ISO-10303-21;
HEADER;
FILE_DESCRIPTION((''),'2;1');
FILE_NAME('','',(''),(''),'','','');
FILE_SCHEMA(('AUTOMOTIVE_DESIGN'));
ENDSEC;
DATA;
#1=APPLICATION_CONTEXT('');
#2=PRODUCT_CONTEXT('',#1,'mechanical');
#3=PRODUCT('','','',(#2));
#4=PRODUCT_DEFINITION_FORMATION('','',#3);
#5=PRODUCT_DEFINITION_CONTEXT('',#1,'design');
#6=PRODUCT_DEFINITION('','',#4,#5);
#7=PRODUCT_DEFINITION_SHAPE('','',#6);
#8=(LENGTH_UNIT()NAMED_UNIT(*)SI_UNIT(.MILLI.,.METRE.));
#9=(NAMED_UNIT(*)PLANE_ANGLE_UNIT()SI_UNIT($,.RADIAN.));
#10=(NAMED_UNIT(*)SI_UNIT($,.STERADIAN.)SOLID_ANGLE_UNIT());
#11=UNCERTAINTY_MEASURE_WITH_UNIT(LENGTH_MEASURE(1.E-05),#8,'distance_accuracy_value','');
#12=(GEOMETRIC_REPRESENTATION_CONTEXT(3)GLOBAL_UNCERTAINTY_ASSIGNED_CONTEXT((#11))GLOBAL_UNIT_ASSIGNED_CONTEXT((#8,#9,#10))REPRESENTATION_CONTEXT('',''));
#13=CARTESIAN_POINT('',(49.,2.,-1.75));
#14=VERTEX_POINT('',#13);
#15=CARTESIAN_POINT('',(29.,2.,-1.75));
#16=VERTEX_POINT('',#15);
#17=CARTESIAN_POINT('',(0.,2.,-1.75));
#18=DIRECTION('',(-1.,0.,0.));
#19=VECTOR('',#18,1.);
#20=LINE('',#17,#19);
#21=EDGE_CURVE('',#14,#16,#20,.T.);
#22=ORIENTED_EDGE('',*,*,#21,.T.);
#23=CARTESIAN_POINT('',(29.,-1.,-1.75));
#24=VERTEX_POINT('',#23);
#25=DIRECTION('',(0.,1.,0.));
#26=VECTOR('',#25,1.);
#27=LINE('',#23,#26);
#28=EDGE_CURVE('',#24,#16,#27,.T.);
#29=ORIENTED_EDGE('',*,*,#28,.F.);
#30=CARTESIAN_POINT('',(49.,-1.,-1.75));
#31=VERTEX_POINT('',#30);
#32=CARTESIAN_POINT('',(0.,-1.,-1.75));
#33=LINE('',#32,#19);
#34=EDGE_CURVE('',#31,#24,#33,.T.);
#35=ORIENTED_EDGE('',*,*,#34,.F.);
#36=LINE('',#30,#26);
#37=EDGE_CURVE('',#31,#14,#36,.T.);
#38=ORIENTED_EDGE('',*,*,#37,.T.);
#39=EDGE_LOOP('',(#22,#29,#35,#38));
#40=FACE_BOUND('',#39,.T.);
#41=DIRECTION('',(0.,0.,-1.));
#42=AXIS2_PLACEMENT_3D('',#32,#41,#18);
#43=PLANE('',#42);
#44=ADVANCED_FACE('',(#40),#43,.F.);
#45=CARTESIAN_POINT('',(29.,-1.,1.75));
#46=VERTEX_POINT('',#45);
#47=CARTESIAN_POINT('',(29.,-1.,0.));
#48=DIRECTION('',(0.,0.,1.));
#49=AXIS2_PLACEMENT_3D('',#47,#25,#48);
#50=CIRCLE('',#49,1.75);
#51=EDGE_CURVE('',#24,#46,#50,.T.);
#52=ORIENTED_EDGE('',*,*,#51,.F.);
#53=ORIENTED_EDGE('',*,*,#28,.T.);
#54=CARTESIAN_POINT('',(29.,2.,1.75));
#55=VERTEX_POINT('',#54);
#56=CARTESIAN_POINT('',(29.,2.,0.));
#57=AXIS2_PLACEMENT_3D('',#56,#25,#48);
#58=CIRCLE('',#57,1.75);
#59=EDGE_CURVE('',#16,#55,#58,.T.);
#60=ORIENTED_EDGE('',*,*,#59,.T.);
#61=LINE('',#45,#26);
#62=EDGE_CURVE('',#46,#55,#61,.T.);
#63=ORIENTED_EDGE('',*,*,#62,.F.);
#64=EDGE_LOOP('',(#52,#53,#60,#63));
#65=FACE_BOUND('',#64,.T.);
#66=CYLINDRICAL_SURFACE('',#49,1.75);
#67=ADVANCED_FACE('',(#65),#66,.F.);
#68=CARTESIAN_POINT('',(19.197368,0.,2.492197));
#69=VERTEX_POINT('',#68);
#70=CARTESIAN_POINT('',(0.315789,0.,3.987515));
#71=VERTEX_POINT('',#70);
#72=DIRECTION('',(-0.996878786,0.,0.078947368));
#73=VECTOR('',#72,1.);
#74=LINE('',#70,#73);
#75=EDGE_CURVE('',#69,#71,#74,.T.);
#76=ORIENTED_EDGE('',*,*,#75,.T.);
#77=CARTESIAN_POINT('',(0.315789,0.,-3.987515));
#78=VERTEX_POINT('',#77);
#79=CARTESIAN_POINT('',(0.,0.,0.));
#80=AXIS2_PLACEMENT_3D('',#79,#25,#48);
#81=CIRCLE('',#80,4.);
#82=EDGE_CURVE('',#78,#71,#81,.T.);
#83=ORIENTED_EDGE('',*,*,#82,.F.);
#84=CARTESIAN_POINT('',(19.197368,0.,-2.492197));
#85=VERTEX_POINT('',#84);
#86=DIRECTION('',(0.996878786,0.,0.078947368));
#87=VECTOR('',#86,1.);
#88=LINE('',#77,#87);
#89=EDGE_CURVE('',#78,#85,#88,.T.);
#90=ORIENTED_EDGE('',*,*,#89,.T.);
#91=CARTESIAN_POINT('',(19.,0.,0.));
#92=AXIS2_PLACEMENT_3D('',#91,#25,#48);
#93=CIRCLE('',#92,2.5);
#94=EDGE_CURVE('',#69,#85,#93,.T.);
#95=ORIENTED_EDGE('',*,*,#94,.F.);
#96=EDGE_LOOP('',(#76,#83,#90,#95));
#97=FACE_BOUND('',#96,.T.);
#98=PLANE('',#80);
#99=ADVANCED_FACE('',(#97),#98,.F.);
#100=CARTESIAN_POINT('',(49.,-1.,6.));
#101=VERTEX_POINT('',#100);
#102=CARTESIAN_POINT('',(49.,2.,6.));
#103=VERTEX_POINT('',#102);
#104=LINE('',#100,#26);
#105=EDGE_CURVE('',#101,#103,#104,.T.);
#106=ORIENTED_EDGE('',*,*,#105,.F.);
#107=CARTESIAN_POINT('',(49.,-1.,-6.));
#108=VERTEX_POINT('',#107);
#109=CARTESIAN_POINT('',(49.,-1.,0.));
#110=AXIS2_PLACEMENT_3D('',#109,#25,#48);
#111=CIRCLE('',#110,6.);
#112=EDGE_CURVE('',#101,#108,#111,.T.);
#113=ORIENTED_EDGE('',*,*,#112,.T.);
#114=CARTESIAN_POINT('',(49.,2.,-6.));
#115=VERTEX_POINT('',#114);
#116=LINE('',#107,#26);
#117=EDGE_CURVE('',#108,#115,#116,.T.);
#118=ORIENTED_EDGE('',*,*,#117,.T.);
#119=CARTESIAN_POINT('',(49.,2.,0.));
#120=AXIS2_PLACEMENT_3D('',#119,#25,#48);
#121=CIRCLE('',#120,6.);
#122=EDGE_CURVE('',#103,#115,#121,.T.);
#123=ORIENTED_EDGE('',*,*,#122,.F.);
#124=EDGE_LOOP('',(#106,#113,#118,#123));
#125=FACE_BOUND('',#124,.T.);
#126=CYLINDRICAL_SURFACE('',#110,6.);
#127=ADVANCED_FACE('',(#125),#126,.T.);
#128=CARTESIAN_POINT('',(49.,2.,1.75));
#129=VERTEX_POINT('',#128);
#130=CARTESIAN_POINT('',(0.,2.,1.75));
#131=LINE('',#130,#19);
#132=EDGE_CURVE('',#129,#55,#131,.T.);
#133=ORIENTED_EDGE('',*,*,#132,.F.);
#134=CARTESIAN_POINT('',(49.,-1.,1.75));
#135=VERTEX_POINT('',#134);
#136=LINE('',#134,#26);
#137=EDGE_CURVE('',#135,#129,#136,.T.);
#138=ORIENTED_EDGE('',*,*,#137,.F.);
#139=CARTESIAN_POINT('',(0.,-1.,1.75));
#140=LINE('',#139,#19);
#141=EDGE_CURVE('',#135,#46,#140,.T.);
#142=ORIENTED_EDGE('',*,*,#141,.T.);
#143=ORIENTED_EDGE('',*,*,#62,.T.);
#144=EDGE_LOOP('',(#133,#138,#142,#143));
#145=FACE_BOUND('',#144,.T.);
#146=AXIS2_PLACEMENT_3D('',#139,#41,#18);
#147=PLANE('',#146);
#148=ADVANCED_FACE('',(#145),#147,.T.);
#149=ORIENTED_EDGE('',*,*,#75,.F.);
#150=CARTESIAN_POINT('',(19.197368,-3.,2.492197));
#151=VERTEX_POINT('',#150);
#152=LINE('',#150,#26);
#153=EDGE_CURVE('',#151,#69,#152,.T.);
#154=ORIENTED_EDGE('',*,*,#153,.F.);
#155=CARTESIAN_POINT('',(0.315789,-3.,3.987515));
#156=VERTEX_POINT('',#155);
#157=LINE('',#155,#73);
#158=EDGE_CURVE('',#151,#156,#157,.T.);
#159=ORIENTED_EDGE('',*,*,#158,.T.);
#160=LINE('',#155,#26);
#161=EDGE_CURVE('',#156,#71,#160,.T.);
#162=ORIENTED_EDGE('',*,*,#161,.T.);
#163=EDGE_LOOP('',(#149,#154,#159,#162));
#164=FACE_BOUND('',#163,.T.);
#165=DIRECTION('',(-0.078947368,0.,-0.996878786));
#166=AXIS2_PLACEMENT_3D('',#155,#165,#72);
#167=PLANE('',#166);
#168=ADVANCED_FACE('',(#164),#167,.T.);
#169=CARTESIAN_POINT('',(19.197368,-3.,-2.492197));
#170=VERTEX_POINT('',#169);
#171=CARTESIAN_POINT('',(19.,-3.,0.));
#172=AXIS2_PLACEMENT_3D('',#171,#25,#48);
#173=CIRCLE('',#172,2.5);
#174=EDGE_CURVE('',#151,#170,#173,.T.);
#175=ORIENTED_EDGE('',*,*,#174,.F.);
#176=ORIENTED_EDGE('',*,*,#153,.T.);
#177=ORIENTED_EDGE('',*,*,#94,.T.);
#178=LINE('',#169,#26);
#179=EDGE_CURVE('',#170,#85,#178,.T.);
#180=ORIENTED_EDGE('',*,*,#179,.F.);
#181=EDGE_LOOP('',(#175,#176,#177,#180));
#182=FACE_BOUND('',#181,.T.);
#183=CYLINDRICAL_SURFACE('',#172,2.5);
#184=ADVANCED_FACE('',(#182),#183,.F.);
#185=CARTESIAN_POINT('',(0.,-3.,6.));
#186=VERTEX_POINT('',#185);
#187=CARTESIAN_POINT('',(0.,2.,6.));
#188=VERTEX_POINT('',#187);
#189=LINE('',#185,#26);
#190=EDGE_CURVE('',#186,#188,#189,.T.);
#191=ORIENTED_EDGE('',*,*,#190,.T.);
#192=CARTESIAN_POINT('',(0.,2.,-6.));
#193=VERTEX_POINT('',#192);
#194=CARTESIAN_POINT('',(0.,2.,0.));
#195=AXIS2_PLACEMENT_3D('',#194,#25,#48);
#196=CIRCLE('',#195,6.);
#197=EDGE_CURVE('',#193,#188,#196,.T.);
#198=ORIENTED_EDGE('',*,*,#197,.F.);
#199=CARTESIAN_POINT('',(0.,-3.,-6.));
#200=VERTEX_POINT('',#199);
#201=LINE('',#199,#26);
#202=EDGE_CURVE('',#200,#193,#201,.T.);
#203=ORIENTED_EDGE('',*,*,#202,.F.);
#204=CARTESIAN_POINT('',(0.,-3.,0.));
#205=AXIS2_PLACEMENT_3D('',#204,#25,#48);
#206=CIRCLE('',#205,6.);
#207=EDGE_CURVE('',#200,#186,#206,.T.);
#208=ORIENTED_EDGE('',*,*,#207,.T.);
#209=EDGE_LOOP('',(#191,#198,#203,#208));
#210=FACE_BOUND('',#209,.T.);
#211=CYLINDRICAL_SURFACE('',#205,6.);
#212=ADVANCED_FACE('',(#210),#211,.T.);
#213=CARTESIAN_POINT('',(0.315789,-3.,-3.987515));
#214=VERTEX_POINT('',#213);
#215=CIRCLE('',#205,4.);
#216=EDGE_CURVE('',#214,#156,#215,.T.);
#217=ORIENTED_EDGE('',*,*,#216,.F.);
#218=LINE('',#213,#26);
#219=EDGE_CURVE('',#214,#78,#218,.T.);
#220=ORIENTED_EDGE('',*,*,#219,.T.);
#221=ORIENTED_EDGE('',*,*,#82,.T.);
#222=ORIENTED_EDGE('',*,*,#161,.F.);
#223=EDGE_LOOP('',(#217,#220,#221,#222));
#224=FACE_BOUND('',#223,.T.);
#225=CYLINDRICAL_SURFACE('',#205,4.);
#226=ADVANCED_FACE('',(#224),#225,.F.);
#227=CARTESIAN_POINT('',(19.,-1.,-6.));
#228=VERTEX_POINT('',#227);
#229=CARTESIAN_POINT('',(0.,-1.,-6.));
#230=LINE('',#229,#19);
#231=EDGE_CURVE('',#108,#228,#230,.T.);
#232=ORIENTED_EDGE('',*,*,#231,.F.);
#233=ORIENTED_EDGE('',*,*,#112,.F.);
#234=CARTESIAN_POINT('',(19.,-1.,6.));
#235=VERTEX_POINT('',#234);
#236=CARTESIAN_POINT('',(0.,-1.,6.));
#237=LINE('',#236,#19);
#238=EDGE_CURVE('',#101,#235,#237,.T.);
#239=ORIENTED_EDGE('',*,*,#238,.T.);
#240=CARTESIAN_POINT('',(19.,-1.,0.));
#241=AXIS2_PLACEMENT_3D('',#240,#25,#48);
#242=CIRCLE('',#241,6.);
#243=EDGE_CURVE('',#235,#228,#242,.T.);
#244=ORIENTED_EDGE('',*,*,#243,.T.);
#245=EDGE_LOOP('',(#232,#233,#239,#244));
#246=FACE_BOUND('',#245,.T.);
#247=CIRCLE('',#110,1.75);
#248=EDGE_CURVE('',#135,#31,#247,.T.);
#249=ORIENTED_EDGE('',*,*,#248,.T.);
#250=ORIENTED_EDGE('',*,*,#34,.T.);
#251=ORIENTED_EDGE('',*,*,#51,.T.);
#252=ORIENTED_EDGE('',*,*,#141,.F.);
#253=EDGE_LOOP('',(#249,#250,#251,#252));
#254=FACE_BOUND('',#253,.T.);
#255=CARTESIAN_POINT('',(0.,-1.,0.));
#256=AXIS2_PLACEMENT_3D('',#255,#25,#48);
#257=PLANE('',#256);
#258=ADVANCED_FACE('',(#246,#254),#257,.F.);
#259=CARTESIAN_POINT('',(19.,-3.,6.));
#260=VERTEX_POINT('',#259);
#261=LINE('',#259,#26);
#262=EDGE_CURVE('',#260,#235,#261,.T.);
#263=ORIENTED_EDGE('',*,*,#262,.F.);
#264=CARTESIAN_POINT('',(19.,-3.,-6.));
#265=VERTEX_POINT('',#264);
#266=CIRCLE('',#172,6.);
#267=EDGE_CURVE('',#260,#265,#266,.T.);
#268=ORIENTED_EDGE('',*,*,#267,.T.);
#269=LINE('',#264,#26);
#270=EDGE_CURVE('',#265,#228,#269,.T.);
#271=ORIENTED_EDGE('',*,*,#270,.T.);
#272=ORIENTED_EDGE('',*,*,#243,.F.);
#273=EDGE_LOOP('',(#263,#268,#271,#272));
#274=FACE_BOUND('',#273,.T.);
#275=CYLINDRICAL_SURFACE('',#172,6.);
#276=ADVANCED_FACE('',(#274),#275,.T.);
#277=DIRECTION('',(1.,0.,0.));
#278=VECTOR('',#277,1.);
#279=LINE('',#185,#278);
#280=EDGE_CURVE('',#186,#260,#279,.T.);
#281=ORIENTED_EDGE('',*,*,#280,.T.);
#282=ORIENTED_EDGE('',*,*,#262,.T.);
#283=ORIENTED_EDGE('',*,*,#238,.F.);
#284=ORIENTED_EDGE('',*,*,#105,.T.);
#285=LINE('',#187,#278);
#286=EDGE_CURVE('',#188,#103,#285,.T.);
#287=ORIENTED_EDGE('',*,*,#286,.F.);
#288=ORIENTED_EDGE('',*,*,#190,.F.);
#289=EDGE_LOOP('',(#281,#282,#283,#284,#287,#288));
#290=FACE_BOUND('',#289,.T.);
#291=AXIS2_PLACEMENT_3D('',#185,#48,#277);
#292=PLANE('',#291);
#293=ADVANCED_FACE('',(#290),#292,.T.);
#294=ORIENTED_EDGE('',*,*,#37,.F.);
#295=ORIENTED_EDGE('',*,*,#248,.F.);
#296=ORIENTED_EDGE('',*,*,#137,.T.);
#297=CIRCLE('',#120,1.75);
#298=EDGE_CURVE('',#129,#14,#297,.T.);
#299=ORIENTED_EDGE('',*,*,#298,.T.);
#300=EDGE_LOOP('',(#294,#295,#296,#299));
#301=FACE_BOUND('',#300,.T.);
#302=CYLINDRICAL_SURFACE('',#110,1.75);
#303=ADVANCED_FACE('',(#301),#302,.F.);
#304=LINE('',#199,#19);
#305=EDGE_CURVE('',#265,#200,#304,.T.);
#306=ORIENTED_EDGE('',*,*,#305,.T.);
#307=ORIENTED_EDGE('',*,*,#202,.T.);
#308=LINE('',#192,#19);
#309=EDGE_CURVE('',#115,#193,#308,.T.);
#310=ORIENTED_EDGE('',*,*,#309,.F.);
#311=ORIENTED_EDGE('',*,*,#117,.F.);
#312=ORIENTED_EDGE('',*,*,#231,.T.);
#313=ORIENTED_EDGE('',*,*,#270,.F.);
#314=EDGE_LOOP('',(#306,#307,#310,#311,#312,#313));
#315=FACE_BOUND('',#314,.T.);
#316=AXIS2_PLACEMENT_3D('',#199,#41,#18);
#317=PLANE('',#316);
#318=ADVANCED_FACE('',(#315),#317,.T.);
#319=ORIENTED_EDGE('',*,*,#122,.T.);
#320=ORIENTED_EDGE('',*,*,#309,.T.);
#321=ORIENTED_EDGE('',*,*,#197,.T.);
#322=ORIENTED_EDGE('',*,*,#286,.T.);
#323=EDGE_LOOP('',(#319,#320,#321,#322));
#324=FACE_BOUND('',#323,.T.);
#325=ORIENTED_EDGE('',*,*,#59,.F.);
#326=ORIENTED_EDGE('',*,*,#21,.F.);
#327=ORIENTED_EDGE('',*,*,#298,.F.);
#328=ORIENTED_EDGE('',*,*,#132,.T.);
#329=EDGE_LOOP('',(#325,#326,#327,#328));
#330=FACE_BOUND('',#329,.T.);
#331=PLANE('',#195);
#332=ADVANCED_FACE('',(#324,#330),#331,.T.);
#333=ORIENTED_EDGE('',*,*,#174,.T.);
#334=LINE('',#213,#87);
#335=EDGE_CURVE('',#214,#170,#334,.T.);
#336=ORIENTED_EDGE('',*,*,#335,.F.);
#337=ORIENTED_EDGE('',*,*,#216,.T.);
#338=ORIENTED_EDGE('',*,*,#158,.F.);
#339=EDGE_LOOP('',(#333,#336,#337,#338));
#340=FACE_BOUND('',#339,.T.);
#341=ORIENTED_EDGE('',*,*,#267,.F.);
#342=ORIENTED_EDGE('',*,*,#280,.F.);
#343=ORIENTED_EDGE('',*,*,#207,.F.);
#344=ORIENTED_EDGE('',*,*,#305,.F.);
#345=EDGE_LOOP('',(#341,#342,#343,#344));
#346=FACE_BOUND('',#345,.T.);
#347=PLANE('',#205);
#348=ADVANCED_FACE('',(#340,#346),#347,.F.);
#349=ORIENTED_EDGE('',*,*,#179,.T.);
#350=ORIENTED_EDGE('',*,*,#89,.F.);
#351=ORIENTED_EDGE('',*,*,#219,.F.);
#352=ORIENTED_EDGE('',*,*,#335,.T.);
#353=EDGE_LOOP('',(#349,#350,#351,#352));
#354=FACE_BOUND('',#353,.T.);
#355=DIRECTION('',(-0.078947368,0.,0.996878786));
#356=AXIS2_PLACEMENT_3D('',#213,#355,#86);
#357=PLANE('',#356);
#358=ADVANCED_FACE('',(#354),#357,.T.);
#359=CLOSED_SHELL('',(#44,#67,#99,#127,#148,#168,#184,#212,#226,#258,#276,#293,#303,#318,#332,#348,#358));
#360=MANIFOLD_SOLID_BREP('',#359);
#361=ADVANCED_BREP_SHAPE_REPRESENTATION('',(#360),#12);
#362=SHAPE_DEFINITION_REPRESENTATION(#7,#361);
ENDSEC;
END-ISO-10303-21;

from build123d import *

# Parameters (mm, degrees)
EXTRUDE_1_DEPTH = 3
EXTRUDE_START   = 2
EXTRUDE_2_DEPTH = 2
EXTRUDE_3_DEPTH = 3


with BuildPart() as part:
    # 草图1 → 凸台-拉伸1 (new body)
    with BuildSketch(Plane(origin=(0, 0, 0), x_dir=(1, 0, 0), z_dir=(0, 1, 0))):
        with BuildLine():
            ThreePointArc((0, 6), (-6, 0), (0, -6))
            Line((0, -6), (19, -6))
            ThreePointArc((19, -6), (25, 0), (19, 6))
            Line((19, 6), (0, 6))
        make_face()
        with BuildLine():
            ThreePointArc((0.315789474, -3.987515142), (-4, 0), (0.315789474, 3.987515142))
            Line((0.315789474, 3.987515142), (19.197368421, 2.492196964))
            ThreePointArc((19.197368421, 2.492196964), (21.5, 0), (19.197368421, -2.492196964))
            Line((19.197368421, -2.492196964), (0.315789474, -3.987515142))
        make_face(mode=Mode.SUBTRACT)
    extrude(amount=-EXTRUDE_1_DEPTH)

    # 草图1<4> → 凸台-拉伸2 (add)
    with BuildSketch(Plane(origin=(0, 0, 0), x_dir=(1, 0, 0), z_dir=(0, 1, 0)).offset(EXTRUDE_START)):
        with BuildLine():
            ThreePointArc((0, 6), (-6, 0), (0, -6))
            Line((0, -6), (19, -6))
            ThreePointArc((19, -6), (25, 0), (19, 6))
            Line((19, 6), (0, 6))
        make_face()
    extrude(amount=-EXTRUDE_2_DEPTH)

    # 草图2 → 凸台-拉伸3 (add)
    with BuildSketch(Plane(origin=(0, 2, 0), x_dir=(1, 0, 0), z_dir=(0, 1, 0))):
        with BuildLine():
            Line((49, 6), (19, 6))
            ThreePointArc((19, 6), (25, 0), (19, -6))
            Line((19, -6), (49, -6))
            ThreePointArc((49, -6), (55, 0), (49, 6))
        make_face()
        with BuildLine():
            ThreePointArc((49, 1.75), (50.75, 0), (49, -1.75))
            Line((49, -1.75), (29, -1.75))
            ThreePointArc((29, -1.75), (27.25, 0), (29, 1.75))
            Line((29, 1.75), (49, 1.75))
        make_face(mode=Mode.SUBTRACT)
    extrude(amount=-EXTRUDE_3_DEPTH)


solid = part.part
